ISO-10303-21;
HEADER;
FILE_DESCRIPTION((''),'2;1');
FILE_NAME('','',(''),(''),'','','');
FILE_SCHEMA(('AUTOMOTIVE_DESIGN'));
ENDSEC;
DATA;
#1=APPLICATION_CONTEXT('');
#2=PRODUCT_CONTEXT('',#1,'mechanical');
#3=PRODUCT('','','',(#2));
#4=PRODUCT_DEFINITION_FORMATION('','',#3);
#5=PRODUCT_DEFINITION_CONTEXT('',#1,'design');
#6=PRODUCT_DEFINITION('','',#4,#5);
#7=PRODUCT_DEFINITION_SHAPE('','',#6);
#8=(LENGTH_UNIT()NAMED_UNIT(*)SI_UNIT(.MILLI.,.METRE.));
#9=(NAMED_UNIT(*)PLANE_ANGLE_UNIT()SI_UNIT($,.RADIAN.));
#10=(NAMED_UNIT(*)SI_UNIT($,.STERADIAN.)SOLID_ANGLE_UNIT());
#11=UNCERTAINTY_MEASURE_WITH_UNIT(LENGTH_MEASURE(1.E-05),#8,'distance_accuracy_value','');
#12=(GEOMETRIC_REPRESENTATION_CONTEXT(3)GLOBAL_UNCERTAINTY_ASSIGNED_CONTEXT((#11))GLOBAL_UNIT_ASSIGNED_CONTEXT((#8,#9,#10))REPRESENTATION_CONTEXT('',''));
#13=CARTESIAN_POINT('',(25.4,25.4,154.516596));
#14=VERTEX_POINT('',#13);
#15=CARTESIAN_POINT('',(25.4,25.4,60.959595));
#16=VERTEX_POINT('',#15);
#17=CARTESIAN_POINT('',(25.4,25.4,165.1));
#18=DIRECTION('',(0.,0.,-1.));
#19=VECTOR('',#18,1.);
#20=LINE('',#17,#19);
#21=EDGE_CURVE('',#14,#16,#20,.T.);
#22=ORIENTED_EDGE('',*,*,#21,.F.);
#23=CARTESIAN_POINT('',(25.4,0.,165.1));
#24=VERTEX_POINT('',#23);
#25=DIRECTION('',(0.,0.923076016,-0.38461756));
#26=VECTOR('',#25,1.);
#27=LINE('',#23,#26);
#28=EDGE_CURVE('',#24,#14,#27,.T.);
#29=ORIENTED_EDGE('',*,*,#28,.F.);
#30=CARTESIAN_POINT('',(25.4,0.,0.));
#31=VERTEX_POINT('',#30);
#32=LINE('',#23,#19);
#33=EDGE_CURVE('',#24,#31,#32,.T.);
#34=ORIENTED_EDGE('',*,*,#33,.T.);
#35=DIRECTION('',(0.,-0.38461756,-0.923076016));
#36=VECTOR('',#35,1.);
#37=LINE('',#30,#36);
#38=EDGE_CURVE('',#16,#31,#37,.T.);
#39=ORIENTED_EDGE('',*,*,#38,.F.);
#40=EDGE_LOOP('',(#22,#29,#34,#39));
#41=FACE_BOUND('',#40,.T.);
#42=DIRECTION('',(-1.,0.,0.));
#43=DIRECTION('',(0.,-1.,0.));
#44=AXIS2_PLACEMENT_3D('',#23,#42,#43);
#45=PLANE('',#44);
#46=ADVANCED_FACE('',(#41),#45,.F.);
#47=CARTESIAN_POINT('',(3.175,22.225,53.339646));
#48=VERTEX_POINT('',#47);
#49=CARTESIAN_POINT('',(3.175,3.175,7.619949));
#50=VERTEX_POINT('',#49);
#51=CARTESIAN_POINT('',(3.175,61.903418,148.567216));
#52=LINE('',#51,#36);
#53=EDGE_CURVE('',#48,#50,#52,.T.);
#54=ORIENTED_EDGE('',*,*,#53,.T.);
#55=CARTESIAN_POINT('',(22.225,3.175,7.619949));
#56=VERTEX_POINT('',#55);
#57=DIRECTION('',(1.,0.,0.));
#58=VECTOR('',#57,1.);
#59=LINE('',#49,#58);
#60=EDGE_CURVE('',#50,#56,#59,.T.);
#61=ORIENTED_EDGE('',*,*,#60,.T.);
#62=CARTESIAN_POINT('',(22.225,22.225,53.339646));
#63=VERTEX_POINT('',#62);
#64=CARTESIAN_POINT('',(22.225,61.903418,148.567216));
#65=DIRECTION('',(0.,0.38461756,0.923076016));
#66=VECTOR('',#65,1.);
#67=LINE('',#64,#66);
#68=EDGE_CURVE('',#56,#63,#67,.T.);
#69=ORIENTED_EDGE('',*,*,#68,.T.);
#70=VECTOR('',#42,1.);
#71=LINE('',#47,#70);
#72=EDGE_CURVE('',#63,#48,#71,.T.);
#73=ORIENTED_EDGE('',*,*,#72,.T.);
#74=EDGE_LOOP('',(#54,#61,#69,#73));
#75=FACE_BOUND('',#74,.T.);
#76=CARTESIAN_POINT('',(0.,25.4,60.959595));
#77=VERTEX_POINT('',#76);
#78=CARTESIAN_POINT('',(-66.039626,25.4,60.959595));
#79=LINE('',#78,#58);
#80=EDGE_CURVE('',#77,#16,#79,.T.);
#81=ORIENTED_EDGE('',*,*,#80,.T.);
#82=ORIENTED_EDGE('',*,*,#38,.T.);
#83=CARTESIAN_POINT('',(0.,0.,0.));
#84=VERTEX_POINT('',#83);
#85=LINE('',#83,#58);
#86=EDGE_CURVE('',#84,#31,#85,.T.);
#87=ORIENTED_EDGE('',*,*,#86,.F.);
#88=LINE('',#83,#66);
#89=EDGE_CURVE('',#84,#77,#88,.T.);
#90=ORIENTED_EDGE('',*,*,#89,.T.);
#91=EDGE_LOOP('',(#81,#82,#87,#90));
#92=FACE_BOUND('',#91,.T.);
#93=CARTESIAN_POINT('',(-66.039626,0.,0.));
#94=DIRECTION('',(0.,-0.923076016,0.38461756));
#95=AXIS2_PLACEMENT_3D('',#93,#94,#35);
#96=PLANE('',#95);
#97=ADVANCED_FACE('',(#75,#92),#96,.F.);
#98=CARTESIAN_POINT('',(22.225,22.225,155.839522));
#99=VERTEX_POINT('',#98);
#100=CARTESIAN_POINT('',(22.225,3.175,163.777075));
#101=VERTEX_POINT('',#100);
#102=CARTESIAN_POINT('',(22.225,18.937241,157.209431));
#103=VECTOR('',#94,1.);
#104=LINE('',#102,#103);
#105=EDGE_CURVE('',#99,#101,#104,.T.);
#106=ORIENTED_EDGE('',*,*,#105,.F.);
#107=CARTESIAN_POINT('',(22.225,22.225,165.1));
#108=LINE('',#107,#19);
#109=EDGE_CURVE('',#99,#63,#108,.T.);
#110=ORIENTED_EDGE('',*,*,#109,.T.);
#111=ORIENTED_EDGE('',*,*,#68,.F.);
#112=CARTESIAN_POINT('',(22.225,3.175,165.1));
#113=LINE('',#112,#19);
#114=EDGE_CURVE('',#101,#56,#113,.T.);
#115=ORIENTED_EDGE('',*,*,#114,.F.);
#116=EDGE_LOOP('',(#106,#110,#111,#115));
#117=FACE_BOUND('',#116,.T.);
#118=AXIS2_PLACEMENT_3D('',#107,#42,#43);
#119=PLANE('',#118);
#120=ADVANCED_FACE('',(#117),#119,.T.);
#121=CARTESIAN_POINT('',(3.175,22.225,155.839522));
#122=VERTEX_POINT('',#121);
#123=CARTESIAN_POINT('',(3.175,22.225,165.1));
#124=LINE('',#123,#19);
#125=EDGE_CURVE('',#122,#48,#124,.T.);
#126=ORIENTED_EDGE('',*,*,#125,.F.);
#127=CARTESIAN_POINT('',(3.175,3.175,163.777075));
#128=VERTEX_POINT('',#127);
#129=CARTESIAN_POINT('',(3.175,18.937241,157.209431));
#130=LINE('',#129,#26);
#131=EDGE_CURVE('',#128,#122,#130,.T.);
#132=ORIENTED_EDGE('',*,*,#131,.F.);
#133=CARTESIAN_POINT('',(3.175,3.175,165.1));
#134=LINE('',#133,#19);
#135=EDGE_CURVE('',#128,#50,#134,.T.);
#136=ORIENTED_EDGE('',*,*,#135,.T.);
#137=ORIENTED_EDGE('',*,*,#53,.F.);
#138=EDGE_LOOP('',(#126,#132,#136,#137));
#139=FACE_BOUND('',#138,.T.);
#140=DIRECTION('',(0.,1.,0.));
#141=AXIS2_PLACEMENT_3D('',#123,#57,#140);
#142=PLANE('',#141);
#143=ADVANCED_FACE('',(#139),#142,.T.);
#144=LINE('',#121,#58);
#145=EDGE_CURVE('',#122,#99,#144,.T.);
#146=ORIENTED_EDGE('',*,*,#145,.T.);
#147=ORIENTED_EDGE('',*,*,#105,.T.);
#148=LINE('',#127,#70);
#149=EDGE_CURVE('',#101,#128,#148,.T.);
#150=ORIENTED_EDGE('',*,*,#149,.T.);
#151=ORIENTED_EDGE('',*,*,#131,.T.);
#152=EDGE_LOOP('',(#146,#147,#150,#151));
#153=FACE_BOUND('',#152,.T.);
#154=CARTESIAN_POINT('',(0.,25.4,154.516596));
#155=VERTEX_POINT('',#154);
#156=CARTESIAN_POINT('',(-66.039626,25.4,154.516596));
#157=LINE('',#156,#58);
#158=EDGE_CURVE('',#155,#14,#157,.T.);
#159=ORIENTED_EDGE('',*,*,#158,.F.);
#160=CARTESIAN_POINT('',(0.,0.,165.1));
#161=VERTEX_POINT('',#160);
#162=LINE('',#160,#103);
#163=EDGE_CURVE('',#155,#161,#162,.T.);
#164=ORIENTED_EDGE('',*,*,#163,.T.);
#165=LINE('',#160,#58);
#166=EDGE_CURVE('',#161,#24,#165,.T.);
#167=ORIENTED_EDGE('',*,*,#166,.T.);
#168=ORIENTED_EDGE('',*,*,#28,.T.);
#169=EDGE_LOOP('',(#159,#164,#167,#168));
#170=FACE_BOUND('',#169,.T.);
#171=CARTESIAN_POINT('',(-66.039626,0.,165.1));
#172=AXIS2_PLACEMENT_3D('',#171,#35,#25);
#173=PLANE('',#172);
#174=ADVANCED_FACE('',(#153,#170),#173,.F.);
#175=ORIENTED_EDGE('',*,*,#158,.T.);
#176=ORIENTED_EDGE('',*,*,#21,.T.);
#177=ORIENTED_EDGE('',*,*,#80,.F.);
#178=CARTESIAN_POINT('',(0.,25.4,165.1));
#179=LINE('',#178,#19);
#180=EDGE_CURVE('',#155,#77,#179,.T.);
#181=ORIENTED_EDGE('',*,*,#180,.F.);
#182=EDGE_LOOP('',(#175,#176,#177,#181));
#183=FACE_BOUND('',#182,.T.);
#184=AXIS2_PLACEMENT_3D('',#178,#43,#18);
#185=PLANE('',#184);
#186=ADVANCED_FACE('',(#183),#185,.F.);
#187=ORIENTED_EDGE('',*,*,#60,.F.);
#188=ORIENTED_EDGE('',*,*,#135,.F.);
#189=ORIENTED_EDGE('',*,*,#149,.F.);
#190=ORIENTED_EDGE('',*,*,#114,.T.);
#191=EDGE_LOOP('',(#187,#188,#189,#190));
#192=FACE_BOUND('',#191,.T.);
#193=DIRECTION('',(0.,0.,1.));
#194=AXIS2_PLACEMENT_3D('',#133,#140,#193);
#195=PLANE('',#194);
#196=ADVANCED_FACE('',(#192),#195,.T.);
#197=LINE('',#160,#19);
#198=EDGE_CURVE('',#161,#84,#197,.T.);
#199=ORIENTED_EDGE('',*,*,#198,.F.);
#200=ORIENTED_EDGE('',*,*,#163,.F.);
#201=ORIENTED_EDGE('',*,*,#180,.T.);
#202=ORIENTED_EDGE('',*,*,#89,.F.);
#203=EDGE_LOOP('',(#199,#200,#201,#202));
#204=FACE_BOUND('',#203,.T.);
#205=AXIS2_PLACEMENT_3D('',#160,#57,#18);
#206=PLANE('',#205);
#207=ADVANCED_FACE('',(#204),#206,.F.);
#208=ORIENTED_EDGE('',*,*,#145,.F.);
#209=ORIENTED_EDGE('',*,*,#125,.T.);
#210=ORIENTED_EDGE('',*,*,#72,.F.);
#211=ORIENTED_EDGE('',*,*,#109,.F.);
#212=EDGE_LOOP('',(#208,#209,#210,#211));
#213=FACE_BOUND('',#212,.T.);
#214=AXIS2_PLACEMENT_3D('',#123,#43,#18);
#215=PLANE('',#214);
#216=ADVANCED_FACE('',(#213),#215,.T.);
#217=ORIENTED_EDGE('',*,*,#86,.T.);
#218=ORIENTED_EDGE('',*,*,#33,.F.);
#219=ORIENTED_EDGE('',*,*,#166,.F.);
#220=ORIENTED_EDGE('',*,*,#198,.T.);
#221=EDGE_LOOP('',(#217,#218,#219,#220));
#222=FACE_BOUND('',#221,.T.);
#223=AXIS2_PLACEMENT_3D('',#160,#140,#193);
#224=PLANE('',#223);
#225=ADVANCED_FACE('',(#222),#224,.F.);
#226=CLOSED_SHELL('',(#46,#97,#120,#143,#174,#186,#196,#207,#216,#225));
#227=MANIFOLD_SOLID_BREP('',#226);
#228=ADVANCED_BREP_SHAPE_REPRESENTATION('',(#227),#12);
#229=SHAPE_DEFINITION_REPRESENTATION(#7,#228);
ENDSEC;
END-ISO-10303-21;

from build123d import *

# Parameters (mm, degrees)
SKETCH1_W           = 25.4
SKETCH1_H           = 25.4
SKETCH1_W_2         = 19.05
SKETCH1_H_2         = 19.05
BOSS_EXTRUDE2_DEPTH = 165.1
CUT_EXTRUDE1_REACH  = 170.963


with BuildPart() as part:
    # Sketch1 → Boss-Extrude2 (new body)
    with BuildSketch(Plane.XY):
        with Locations((12.7, 12.7)):
            Rectangle(SKETCH1_W, SKETCH1_H)
        with Locations((12.7, 12.7)):
            Rectangle(SKETCH1_W_2, SKETCH1_H_2, mode=Mode.SUBTRACT)
    extrude(amount=BOSS_EXTRUDE2_DEPTH)

    # Cut-Extrude1: up to this face of the body (flat: up to its plane)
    cut_extrude1_end = Plane(part.part.faces().sort_by_distance((0, 12.7, 82.55))[0])
    # Sketch3 → Cut-Extrude1 (cut, up to the picked face)
    with BuildSketch(Plane(origin=(25.4, 0, 0), x_dir=(0, 0, -1), z_dir=(1, 0, 0)), mode=Mode.PRIVATE) as cut_extrude1_sk1:
        Polygon((-165.1, 0), (-154.516596402, 25.4), (-165.1, 25.4), align=None)
    cut_extrude1_tool1 = split(extrude(cut_extrude1_sk1.sketch, amount=-CUT_EXTRUDE1_REACH, mode=Mode.PRIVATE), bisect_by=cut_extrude1_end, keep=Keep.BOTH, mode=Mode.PRIVATE)
    # Sketch3 → Cut-Extrude1 (cut, up to the picked face)
    with BuildSketch(Plane(origin=(25.4, 0, 0), x_dir=(0, 0, -1), z_dir=(1, 0, 0)), mode=Mode.PRIVATE) as cut_extrude1_sk2:
        Polygon((0, 0), (-60.959595279, 25.4), (0, 25.4), align=None)
    cut_extrude1_tool2 = split(extrude(cut_extrude1_sk2.sketch, amount=-CUT_EXTRUDE1_REACH, mode=Mode.PRIVATE), bisect_by=cut_extrude1_end, keep=Keep.BOTH, mode=Mode.PRIVATE)
    add(cut_extrude1_tool1.solids().sort_by(Axis((25.4, 16.933333, 161.572199), (-1, 0, 0)))[0], mode=Mode.SUBTRACT)
    add(cut_extrude1_tool2.solids().sort_by(Axis((25.4, 16.933333, 20.319865), (-1, 0, 0)))[0], mode=Mode.SUBTRACT)


solid = part.part
